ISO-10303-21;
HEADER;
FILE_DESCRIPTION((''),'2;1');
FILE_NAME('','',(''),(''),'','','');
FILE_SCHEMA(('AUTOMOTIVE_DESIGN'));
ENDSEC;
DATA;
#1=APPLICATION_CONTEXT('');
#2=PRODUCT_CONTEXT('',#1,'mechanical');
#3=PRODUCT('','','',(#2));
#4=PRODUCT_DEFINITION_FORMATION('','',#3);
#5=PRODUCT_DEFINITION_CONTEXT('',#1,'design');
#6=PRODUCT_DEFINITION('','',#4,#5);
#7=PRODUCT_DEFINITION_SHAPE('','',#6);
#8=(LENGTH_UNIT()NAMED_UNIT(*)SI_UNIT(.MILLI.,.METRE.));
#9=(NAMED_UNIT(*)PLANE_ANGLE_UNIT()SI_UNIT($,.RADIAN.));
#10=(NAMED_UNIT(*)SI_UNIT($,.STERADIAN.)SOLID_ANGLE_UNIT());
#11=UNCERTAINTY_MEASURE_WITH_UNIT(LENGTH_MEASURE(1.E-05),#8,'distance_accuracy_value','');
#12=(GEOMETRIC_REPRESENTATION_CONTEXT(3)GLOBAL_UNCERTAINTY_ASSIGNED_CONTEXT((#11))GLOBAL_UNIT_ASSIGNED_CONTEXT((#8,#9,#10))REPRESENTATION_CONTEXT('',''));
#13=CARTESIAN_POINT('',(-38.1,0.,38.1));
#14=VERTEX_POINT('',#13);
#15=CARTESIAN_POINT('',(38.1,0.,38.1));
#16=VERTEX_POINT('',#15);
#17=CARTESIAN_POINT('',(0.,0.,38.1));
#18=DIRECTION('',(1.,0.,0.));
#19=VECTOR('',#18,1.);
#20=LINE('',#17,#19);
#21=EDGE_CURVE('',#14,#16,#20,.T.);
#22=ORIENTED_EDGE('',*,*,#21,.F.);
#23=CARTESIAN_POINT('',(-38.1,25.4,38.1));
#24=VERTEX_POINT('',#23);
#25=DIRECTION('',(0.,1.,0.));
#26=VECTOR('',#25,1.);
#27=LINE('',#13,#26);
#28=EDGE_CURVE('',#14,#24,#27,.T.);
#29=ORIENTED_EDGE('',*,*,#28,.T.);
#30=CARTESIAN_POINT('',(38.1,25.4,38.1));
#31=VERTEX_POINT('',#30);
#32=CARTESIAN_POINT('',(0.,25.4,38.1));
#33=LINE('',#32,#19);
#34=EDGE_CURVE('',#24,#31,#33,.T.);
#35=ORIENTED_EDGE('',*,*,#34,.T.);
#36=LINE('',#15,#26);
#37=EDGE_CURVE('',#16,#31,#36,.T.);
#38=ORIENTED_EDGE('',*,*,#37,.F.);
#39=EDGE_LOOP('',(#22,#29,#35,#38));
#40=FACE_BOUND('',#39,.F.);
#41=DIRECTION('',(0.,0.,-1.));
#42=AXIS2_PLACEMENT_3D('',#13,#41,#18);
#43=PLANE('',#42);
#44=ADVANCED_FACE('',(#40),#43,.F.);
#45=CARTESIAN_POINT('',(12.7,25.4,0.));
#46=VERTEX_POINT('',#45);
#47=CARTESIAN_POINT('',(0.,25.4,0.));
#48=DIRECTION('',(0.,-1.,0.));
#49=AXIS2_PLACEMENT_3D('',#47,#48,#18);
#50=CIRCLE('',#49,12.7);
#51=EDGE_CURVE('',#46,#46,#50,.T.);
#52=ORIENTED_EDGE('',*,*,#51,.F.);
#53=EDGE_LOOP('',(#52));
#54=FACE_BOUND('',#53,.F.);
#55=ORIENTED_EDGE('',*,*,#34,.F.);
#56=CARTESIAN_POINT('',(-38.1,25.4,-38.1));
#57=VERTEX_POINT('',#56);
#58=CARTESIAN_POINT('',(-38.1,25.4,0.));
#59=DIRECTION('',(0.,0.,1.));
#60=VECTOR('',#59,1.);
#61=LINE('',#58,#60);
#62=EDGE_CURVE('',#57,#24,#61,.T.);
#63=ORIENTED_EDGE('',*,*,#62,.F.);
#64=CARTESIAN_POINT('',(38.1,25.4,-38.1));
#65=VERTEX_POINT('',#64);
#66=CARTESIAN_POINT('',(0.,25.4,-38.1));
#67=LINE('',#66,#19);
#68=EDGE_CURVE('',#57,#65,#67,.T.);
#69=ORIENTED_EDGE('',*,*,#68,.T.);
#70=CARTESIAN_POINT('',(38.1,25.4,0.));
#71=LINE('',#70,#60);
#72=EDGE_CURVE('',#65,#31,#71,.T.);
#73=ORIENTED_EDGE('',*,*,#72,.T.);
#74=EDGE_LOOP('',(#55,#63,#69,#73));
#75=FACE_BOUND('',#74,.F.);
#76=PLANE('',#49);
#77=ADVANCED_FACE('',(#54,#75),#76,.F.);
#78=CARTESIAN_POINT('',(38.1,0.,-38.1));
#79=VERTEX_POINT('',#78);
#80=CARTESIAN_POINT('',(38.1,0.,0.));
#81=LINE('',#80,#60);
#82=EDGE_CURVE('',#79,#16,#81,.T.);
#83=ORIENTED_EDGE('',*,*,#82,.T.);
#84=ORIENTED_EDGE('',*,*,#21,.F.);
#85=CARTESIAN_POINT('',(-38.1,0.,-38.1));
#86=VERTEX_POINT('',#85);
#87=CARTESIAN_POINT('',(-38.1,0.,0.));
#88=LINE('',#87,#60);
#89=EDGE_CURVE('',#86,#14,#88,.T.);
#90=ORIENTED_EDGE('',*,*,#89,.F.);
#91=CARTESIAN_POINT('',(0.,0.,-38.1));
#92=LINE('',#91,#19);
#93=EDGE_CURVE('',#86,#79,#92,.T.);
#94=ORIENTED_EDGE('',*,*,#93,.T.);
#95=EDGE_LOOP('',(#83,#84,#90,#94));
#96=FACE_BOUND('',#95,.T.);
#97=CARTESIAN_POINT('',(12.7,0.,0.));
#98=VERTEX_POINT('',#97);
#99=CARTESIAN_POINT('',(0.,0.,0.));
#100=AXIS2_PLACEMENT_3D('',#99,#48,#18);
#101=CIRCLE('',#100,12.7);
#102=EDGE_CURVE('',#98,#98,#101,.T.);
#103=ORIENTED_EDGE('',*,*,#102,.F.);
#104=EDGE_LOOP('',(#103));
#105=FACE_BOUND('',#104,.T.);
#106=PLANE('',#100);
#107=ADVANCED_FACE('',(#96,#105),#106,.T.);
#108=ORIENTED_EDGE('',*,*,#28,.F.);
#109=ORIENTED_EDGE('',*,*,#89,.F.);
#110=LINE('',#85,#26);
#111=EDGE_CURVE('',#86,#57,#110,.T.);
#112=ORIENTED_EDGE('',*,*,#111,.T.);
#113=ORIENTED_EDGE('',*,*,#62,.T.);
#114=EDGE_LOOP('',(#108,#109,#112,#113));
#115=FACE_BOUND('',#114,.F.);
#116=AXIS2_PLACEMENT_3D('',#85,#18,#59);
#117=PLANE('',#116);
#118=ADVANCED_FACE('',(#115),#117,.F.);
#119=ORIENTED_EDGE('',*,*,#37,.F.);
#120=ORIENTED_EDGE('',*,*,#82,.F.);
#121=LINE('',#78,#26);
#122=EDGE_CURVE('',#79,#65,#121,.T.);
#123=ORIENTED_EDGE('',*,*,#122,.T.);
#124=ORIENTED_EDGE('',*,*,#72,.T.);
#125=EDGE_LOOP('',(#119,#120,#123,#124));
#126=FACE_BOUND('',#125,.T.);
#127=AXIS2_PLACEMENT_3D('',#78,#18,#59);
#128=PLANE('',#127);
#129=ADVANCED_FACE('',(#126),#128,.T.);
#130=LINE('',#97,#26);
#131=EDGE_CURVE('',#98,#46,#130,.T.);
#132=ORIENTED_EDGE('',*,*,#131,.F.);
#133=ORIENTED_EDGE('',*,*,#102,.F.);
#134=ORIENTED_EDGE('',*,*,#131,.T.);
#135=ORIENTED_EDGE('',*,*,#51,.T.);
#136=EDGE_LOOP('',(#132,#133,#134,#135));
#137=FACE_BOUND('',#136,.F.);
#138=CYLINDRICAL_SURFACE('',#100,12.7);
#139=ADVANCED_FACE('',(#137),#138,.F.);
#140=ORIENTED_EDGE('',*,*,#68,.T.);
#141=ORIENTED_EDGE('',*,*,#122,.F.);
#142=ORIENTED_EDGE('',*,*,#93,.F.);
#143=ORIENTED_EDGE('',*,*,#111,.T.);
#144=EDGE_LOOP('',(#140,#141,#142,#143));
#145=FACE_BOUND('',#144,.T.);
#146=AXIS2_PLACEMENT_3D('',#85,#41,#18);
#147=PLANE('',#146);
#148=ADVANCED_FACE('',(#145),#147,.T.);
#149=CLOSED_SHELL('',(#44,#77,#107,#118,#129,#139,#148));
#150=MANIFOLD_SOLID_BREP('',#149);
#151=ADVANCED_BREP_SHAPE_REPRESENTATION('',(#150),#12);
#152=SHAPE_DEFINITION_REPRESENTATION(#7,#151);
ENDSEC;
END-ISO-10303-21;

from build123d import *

# Parameters (mm, degrees)
F0_W     = 76.2
F0_H     = 76.2
F0_R     = 12.7
F1_DEPTH = 25.4


with BuildPart() as f1:
    # F0 (on Front) → F1 (new body)
    with BuildSketch(Plane.XZ):
        Rectangle(F0_W, F0_H)
        Circle(F0_R, mode=Mode.SUBTRACT)
    extrude(amount=-F1_DEPTH)


solid = f1.part
